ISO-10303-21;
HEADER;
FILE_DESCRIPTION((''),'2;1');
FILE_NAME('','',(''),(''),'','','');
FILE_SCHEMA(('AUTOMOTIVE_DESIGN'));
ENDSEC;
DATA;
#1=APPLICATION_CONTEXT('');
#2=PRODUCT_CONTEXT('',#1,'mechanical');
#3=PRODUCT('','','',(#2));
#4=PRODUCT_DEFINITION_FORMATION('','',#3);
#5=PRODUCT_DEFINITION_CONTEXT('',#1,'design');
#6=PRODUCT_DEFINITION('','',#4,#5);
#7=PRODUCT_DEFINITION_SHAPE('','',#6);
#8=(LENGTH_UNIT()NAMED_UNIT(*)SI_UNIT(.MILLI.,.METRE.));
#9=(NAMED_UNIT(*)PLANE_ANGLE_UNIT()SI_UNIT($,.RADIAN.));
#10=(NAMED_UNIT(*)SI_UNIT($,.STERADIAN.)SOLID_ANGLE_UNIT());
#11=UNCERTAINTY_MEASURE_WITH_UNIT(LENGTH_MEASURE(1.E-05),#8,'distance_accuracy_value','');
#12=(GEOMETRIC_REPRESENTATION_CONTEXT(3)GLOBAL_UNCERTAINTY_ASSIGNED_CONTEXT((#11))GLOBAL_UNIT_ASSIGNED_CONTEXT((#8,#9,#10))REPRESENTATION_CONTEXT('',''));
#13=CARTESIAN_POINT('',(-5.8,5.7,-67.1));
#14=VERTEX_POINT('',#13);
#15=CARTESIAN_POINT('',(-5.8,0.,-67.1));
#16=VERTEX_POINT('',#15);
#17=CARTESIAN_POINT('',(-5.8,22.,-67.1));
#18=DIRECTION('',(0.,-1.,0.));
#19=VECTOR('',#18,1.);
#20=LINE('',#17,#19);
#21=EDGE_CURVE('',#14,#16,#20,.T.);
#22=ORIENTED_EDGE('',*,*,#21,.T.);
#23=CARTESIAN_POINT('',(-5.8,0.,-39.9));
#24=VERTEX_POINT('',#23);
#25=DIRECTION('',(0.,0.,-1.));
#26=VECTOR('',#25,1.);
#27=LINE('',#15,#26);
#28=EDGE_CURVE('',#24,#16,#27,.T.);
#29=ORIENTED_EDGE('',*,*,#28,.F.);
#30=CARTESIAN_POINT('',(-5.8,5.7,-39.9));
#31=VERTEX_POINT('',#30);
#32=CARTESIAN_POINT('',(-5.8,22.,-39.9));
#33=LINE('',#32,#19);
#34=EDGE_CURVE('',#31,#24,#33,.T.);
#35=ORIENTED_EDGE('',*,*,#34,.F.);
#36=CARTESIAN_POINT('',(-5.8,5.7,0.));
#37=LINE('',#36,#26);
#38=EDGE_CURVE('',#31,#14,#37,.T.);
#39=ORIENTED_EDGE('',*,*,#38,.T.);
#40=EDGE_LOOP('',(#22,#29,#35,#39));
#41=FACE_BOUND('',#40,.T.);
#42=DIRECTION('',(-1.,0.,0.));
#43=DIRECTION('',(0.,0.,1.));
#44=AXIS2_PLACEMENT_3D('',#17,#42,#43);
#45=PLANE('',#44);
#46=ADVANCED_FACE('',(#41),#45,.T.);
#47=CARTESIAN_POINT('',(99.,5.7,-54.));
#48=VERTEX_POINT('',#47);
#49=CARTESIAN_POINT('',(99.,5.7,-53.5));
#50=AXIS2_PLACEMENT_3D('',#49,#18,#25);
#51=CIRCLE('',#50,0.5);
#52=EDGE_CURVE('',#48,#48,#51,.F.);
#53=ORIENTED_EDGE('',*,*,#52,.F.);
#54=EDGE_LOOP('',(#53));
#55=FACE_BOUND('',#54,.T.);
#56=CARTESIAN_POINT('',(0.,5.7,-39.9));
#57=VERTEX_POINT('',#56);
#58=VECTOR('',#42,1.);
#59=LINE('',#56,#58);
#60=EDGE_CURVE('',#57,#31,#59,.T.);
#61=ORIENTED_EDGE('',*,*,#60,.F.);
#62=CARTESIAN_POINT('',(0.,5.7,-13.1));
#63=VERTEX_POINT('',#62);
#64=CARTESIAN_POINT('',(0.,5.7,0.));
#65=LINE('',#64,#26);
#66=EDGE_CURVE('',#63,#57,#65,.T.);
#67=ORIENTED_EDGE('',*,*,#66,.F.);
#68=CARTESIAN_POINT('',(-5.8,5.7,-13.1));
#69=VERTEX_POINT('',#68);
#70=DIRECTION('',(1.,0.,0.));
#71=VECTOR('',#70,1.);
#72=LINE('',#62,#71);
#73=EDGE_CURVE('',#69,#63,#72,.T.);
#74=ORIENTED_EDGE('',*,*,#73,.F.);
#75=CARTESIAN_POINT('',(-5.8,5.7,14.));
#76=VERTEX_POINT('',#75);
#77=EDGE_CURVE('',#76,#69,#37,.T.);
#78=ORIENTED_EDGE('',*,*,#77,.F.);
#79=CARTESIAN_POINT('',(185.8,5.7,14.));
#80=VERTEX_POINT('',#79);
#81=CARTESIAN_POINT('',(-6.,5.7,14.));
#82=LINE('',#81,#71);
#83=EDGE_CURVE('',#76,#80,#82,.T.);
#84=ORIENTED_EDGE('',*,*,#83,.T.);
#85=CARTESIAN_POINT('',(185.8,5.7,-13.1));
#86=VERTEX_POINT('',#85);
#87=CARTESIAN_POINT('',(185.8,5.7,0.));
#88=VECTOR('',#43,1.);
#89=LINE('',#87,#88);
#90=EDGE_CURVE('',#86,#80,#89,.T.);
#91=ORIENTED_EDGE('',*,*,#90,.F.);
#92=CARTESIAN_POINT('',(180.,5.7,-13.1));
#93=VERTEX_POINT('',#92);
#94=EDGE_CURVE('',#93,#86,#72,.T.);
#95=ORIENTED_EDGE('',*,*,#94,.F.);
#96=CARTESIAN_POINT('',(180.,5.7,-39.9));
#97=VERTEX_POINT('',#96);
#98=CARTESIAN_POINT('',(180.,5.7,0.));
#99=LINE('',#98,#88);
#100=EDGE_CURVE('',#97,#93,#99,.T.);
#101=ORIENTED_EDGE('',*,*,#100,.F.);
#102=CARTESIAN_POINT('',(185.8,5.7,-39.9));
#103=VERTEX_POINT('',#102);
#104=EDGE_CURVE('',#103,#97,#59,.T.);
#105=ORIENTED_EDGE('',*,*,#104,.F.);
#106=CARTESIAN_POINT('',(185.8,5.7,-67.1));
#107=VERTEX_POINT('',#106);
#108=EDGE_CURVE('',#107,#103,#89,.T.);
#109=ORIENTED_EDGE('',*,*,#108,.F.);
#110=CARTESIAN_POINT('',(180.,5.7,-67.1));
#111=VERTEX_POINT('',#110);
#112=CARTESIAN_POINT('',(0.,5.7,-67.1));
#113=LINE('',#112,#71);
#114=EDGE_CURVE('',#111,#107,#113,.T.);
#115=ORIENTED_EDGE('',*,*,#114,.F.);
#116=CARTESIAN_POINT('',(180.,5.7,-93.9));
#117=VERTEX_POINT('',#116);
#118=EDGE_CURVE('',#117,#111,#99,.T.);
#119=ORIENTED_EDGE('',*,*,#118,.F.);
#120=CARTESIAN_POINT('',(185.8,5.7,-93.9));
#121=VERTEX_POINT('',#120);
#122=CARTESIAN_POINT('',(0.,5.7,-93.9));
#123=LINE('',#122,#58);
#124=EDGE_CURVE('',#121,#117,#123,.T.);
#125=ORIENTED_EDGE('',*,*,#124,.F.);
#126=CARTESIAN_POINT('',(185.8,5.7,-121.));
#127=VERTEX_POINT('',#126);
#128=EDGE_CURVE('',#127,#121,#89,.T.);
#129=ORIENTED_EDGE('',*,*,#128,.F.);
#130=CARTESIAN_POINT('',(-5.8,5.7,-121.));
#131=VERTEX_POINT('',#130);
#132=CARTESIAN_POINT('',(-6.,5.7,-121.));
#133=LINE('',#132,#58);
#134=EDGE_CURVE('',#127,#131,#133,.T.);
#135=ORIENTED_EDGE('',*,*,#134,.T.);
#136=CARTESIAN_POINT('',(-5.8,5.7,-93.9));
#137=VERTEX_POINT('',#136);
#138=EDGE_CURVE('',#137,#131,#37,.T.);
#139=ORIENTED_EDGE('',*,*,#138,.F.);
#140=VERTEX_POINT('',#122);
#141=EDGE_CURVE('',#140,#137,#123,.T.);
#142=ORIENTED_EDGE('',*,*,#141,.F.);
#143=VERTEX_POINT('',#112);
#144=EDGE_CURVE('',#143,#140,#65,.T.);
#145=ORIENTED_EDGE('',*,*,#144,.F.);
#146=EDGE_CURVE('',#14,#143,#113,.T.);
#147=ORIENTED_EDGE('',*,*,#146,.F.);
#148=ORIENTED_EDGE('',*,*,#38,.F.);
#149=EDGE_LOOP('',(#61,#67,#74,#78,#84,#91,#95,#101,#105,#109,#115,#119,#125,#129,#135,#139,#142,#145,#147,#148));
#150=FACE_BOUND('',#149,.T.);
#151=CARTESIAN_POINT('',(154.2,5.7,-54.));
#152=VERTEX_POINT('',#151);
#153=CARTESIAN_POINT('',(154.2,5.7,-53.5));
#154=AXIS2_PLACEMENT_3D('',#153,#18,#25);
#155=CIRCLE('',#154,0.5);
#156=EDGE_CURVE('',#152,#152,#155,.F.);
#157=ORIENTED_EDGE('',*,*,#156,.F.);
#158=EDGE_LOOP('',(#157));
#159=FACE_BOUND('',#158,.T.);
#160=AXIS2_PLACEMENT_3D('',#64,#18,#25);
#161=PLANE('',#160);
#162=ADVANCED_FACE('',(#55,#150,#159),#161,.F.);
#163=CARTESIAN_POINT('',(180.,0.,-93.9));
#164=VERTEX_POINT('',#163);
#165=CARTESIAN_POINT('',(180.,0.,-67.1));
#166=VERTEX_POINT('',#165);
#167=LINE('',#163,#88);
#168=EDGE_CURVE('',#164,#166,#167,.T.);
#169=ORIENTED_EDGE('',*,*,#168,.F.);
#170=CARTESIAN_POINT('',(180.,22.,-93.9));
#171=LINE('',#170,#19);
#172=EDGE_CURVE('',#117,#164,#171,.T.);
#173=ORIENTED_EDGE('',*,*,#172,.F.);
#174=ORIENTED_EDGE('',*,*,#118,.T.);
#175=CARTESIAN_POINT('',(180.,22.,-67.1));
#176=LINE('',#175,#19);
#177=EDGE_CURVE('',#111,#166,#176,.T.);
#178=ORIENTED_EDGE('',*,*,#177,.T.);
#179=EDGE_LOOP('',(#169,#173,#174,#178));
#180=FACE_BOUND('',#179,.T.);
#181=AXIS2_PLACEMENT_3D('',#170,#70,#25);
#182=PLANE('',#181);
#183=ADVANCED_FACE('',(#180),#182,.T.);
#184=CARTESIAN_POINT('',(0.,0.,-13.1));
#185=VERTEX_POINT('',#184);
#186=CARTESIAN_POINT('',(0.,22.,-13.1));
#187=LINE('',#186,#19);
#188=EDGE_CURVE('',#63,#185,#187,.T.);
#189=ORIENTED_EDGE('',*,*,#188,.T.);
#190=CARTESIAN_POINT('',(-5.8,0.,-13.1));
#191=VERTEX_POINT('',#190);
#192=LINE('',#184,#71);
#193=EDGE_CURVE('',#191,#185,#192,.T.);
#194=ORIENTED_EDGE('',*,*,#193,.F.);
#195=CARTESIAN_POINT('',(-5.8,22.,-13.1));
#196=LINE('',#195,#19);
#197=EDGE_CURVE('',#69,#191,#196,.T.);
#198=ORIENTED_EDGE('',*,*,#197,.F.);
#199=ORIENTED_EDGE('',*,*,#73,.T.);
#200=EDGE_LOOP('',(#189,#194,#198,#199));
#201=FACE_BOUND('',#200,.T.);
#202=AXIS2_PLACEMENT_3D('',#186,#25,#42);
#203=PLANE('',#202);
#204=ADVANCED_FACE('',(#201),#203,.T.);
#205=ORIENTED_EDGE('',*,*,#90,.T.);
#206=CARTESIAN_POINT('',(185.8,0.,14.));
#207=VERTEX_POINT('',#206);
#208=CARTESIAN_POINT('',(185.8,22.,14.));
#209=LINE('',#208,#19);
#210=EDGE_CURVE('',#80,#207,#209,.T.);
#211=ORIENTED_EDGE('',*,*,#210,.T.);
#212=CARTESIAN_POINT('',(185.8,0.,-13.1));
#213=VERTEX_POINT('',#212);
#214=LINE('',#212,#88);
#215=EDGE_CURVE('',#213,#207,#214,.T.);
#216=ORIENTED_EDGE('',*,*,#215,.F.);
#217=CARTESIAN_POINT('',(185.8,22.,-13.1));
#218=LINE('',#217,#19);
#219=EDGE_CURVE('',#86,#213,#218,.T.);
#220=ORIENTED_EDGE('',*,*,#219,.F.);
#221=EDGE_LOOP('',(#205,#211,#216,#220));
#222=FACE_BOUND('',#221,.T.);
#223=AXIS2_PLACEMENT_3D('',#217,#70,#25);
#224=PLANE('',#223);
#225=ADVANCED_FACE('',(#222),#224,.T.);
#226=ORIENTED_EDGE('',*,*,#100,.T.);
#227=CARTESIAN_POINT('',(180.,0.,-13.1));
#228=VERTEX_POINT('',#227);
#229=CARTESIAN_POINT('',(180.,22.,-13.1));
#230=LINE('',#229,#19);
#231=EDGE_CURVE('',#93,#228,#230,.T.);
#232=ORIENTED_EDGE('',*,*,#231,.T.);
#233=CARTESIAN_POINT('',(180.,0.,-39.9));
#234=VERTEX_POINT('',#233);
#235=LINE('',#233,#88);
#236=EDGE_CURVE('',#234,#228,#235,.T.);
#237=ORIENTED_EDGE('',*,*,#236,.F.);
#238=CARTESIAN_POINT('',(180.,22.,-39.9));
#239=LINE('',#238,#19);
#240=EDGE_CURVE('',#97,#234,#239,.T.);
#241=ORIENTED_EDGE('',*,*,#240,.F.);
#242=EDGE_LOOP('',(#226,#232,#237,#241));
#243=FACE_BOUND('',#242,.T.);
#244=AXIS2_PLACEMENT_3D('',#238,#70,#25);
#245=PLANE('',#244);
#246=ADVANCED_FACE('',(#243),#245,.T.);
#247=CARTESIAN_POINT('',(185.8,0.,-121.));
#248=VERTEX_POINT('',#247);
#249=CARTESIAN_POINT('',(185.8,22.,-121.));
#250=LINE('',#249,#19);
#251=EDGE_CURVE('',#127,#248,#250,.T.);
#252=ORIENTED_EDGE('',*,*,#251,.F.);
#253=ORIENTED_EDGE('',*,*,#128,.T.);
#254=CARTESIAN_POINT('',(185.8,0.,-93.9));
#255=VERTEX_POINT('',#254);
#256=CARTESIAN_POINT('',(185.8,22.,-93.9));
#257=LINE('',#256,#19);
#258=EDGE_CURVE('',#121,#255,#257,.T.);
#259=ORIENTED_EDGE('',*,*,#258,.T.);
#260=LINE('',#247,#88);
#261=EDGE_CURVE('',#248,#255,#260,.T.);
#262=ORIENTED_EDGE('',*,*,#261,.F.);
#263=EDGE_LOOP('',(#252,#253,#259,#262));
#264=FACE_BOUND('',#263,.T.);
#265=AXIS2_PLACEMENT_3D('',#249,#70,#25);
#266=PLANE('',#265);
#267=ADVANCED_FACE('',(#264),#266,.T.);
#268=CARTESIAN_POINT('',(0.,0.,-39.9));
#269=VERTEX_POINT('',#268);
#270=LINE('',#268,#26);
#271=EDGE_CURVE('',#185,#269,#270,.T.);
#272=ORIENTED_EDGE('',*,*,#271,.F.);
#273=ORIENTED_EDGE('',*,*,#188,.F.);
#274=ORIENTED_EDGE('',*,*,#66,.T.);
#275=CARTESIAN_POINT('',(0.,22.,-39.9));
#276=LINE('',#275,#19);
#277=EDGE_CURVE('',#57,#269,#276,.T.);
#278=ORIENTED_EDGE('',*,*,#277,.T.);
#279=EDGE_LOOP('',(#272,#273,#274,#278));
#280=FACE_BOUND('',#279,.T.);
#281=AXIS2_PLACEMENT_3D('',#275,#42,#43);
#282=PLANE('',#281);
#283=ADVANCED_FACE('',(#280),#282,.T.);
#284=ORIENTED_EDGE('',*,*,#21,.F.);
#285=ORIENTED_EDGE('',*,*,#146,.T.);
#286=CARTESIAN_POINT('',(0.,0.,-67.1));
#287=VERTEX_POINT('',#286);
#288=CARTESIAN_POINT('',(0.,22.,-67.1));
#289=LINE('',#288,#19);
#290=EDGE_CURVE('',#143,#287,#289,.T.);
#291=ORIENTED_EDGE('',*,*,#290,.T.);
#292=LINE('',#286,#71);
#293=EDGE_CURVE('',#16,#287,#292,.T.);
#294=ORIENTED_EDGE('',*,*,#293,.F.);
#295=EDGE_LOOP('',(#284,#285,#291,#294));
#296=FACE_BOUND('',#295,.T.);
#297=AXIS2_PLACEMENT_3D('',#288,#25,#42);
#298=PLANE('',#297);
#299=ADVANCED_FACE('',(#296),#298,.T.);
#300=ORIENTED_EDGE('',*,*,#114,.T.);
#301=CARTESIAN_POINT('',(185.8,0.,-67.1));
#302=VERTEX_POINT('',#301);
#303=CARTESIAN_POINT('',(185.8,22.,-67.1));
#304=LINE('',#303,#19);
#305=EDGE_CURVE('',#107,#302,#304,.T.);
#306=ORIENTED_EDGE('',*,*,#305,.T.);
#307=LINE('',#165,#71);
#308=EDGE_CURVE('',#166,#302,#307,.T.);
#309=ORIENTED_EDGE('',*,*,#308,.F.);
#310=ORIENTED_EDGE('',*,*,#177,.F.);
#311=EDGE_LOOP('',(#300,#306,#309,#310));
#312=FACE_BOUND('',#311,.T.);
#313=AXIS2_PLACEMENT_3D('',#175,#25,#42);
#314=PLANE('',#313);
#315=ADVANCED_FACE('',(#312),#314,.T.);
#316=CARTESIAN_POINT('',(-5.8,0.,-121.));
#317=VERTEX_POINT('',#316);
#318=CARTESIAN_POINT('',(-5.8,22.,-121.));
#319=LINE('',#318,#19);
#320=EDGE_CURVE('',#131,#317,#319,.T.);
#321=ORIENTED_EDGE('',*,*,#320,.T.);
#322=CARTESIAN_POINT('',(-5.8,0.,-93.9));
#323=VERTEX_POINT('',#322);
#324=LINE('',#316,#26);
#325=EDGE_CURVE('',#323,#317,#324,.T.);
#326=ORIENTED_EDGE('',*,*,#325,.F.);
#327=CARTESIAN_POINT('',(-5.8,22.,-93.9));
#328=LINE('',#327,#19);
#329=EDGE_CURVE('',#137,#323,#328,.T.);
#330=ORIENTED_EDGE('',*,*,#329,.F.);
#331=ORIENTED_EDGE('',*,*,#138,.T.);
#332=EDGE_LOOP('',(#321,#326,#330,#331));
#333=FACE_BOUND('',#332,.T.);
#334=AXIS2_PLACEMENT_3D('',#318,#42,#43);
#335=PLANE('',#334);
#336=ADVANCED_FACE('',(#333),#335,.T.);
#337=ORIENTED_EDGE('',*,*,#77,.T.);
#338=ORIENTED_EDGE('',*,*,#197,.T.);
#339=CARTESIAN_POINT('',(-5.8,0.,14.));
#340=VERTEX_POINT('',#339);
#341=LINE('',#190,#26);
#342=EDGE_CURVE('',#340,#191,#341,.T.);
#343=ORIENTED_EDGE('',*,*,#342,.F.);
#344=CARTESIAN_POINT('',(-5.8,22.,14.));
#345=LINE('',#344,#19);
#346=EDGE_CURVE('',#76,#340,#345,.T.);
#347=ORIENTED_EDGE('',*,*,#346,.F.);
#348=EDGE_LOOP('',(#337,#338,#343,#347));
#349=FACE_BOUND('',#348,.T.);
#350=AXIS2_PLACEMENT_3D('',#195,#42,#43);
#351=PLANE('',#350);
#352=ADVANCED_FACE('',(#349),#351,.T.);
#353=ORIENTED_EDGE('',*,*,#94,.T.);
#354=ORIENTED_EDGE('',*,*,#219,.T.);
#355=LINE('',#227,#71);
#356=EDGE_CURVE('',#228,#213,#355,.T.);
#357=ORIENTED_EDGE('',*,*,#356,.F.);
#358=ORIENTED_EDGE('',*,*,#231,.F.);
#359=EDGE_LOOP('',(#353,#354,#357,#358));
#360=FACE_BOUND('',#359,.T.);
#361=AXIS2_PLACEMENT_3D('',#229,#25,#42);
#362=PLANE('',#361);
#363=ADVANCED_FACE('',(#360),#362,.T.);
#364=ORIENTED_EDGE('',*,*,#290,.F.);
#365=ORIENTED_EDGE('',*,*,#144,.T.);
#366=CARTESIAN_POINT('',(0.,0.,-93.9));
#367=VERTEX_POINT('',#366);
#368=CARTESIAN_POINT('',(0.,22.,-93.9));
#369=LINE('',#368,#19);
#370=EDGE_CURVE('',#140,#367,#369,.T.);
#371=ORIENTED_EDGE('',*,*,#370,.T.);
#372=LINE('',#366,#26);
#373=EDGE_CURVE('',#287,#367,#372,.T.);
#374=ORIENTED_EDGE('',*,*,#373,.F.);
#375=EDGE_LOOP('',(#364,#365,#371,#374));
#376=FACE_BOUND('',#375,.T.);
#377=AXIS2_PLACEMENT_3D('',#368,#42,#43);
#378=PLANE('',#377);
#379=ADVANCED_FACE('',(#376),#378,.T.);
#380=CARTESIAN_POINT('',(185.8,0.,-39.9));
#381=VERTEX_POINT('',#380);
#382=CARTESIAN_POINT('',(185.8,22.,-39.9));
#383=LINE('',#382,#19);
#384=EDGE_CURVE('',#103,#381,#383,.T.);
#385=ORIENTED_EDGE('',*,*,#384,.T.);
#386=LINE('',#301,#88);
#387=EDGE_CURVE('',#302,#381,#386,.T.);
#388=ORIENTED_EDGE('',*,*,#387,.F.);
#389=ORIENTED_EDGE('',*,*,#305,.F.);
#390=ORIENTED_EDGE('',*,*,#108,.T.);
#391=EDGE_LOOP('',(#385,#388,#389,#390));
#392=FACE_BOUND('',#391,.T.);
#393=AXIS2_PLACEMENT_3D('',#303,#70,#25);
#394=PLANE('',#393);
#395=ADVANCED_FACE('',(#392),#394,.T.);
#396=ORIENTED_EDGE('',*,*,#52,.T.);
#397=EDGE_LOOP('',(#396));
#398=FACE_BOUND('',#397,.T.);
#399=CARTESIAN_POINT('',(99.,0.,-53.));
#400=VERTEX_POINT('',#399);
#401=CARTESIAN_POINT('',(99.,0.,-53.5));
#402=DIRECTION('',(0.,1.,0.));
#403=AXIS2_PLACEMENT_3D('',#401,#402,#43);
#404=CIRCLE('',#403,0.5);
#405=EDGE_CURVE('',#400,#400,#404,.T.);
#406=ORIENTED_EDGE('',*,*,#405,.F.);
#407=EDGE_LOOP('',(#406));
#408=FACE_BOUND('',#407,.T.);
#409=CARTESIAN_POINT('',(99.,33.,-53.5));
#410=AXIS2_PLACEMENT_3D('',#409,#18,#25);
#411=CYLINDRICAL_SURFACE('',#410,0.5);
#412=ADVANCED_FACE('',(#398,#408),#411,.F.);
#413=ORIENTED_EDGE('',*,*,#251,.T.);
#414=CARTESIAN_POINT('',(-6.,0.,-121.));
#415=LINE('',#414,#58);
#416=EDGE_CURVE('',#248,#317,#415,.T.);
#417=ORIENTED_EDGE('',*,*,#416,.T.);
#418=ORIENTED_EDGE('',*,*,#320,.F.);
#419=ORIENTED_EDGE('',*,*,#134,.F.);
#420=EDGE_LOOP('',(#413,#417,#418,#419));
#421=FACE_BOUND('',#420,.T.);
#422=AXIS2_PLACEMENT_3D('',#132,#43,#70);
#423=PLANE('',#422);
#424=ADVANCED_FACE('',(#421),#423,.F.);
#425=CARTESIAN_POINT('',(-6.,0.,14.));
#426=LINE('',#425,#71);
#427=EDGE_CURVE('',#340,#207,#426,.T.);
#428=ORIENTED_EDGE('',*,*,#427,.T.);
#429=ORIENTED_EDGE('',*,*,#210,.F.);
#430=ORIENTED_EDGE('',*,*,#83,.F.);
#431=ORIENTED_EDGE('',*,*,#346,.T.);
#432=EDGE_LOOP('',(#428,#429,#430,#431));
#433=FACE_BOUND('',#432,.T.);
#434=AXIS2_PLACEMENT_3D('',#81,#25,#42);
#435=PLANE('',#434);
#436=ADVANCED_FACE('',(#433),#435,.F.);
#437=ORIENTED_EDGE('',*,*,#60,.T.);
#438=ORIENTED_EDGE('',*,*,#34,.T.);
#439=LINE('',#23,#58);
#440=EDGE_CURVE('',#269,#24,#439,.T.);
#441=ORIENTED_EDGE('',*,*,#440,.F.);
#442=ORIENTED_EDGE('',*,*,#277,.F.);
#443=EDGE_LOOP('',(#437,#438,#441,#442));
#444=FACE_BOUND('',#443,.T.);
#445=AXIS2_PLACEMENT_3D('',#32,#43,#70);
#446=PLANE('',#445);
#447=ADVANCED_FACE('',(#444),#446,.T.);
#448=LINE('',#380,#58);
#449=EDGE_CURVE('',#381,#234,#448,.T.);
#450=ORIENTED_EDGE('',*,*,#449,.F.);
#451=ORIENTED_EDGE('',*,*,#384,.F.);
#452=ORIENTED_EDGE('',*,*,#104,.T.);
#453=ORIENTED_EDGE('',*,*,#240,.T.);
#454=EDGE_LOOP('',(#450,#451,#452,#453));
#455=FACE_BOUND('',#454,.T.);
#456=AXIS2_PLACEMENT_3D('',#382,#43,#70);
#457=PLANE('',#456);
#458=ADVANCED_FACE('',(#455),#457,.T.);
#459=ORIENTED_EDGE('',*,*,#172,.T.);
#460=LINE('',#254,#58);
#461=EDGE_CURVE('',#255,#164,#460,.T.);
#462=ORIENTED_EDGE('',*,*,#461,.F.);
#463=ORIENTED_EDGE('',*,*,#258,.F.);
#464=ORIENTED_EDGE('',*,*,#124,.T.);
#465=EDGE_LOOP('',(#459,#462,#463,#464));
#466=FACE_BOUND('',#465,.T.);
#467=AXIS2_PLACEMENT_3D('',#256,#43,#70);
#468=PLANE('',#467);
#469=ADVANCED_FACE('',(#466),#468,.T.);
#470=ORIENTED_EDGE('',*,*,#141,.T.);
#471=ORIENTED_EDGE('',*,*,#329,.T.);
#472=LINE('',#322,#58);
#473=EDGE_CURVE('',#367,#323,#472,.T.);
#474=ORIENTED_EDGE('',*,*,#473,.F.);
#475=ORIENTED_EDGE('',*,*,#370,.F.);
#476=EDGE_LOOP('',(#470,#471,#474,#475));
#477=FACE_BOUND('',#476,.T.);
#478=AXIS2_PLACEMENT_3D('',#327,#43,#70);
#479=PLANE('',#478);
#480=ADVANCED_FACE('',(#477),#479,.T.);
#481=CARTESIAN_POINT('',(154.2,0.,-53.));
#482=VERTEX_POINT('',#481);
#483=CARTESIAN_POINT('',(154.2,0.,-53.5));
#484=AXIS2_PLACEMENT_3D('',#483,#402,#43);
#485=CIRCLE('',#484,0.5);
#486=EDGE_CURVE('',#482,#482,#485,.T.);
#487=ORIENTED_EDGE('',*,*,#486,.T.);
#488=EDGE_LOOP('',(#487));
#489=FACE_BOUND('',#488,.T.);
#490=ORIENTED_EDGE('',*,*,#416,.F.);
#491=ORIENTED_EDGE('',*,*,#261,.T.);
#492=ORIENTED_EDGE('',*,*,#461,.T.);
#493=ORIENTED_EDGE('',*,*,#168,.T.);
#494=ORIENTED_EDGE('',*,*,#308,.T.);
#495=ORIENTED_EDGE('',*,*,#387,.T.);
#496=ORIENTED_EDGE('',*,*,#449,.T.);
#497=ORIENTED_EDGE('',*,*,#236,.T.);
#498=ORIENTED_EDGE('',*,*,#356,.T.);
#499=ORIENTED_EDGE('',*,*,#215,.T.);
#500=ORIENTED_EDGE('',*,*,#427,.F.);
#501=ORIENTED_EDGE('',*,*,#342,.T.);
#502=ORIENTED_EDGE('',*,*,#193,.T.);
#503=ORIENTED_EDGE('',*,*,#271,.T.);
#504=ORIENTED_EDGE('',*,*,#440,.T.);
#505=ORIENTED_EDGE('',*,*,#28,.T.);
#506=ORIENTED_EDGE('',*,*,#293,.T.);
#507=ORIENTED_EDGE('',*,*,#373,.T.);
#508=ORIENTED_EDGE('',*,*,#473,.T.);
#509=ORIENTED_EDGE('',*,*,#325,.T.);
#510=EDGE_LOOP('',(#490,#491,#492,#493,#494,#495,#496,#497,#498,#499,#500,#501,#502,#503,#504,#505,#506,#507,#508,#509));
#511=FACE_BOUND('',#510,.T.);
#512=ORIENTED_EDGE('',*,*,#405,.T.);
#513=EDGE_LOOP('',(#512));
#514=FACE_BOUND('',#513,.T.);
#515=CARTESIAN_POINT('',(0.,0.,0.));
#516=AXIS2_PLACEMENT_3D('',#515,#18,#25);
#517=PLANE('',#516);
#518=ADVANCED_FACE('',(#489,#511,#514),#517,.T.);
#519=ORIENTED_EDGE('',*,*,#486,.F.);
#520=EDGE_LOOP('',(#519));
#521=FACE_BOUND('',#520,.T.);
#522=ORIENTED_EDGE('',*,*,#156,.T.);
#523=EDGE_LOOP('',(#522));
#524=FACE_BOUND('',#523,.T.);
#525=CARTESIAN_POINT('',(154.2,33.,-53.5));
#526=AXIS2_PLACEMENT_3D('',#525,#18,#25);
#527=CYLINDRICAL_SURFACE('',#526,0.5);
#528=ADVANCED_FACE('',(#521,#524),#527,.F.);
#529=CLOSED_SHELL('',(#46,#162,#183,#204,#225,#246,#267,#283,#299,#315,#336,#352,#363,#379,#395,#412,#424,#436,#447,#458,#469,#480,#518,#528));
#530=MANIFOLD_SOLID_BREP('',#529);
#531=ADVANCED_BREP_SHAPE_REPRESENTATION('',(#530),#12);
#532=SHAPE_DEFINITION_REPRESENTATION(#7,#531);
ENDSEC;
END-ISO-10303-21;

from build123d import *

# Parameters (mm, degrees)
SKETCH3_W           = 192
SKETCH3_H           = 135
BOSS_EXTRUDE1_DEPTH = 5.7
SKETCH11_R          = 0.5
CUT_EXTRUDE2_DEPTH  = 33
CUT_EXTRUDE3_DEPTH  = 22


with BuildPart() as part:
    # Sketch3 → Boss-Extrude1 (new body)
    with BuildSketch(Plane(origin=(0, 0, 0), x_dir=(1, 0, 0), z_dir=(0, 1, 0))):
        with Locations((90, 53.5)):
            Rectangle(SKETCH3_W, SKETCH3_H)
    extrude(amount=BOSS_EXTRUDE1_DEPTH)

    # Sketch11 → Cut-Extrude2 (cut)
    with BuildSketch(Plane(origin=(0, 0, 0), x_dir=(1, 0, 0), z_dir=(0, 1, 0))):
        with Locations((99, 53.5)):
            Circle(SKETCH11_R)
        with Locations((154.2, 53.5)):
            Circle(SKETCH11_R)
    extrude(amount=CUT_EXTRUDE2_DEPTH, mode=Mode.SUBTRACT)

    # Sketch12 → Cut-Extrude3 (cut)
    with BuildSketch(Plane(origin=(0, 0, 0), x_dir=(1, 0, 0), z_dir=(0, 1, 0))):
        Polygon((-5.8, 121), (-5.8, 93.9), (0, 93.9), (0, 67.1), (-5.8, 67.1), (-5.8, 39.9), (0, 39.9), (0, 13.1), (-5.8, 13.1), (-5.8, -14), (-9.8, -14), (-9.8, 121), align=None)
        Polygon((189.8, 121), (185.8, 121), (185.8, 93.9), (180, 93.9), (180, 67.1), (185.8, 67.1), (185.8, 39.9), (180, 39.9), (180, 13.1), (185.8, 13.1), (185.8, -14), (189.8, -14), align=None)
    extrude(amount=CUT_EXTRUDE3_DEPTH, mode=Mode.SUBTRACT)


solid = part.part
